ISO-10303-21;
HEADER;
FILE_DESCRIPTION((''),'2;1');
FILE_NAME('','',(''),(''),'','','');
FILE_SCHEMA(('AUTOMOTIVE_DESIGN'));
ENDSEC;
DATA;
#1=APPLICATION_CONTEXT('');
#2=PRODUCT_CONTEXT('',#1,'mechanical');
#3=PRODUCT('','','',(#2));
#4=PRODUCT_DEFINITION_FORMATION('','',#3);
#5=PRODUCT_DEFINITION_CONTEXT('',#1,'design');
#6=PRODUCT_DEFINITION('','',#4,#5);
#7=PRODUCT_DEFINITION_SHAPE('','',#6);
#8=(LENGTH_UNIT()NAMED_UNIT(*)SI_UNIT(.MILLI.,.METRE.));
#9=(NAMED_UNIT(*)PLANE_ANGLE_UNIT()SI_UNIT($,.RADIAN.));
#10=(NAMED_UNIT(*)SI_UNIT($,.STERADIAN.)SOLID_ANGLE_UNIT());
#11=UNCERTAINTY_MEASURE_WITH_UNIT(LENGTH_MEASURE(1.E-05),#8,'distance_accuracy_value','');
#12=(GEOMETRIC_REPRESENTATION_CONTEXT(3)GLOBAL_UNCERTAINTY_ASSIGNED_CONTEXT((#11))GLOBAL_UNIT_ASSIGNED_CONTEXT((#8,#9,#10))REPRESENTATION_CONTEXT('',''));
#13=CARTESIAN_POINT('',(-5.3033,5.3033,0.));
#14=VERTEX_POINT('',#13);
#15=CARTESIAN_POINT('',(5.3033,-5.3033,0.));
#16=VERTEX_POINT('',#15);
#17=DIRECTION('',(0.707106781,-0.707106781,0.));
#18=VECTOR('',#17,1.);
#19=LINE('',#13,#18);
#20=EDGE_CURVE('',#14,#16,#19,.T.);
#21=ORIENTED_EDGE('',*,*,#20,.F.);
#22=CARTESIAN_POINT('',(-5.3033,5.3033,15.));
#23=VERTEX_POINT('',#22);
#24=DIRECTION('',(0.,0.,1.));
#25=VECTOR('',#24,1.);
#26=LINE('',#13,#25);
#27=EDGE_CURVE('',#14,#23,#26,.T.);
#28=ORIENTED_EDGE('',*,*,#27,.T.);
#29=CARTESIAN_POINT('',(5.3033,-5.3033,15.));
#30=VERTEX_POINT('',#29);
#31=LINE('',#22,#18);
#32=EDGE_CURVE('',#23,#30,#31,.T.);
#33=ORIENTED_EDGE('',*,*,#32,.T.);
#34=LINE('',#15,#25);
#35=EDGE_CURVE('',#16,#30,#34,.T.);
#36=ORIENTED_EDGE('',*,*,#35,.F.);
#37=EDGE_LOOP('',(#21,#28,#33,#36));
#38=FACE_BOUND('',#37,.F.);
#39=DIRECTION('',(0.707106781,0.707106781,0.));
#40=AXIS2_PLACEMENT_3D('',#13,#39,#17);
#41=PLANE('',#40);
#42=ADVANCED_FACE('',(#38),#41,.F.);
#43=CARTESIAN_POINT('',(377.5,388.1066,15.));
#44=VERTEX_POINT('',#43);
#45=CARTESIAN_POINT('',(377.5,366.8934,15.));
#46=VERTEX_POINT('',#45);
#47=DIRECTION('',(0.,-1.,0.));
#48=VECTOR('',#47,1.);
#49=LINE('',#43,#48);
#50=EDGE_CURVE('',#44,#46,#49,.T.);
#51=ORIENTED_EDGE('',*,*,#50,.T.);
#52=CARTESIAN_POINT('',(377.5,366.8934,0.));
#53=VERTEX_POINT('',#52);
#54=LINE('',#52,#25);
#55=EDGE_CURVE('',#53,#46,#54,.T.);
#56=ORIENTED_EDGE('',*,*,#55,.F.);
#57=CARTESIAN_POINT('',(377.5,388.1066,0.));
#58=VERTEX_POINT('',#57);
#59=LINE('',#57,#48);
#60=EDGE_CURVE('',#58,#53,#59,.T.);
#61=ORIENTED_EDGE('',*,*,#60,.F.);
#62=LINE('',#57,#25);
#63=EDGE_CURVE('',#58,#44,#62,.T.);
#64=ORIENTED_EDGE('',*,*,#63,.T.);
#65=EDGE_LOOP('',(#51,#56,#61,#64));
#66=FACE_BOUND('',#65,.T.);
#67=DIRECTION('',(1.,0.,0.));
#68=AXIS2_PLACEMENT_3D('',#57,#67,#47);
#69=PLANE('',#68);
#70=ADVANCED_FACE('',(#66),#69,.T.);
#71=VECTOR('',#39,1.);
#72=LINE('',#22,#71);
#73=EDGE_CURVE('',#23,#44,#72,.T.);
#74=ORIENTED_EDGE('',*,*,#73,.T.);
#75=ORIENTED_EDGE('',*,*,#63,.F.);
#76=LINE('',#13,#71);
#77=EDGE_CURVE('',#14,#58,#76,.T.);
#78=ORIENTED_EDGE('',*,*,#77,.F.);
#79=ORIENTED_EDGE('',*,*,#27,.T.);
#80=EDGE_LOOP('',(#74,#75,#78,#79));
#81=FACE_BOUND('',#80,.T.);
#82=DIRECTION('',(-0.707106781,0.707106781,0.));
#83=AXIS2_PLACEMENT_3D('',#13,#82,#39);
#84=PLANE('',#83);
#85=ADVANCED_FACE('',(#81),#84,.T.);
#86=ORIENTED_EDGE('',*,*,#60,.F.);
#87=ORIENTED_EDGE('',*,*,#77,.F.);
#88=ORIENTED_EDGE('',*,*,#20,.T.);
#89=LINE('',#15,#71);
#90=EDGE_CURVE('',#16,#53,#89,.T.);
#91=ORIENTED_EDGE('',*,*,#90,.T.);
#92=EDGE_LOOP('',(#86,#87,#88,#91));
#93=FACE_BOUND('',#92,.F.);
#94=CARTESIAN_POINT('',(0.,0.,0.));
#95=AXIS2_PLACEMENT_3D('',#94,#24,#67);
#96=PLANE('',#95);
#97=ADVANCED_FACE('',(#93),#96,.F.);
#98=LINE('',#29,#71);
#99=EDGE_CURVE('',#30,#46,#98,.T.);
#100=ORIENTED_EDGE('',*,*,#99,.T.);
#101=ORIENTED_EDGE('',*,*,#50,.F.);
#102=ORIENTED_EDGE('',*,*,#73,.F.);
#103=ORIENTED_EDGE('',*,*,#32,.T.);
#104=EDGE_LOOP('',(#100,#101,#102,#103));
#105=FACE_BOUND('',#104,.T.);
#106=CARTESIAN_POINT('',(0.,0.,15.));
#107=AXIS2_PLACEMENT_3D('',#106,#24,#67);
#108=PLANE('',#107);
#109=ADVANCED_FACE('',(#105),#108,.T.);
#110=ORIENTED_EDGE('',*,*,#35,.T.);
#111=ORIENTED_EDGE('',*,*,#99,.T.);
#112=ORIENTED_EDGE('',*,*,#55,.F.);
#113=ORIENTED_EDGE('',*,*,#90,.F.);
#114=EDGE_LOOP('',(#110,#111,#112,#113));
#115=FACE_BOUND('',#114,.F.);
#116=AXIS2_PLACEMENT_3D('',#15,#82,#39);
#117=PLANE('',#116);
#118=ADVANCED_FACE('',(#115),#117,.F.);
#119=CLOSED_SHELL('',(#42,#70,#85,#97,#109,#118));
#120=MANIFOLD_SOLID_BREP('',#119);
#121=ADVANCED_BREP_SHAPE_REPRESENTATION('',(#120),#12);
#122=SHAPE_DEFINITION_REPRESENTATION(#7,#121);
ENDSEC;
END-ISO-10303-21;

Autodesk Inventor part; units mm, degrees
ref_plane "YZ Plane" through (0, 0, 0) normal (1, 0, 0) x (0, 1, 0)
ref_plane "XZ Plane" through (0, 0, 0) normal (0, 1, 0) x (-1, 0, 0)
ref_plane "XY Plane" through (0, 0, 0) normal (0, 0, 1) x (1, 0, 0)
sketch "Sketch2" plane through (0, 0, 0) normal (0, 0, 1) x (1, 0, 0)
  line L0 (0, 0) -> (377.5, 0) construction
  line L1 (377.5, 0) -> (377.5, 377.5) construction
  line L2 (0, 0) -> (377.5, 377.5) construction
  line L3 (-5.3033, 5.3033) -> (5.3033, -5.3033)
  line L4 (377.5, 388.1066) -> (377.5, 366.8934)
  line L5 (-5.3033, 5.3033) -> (377.5, 388.1066)
  line L6 (5.3033, -5.3033) -> (377.5, 366.8934)
  dimension "d4" = 377.5
  dimension "d5" = 377.5
  dimension "d6" = 15
  dimension "d7" = 90
  dimension "d13" = 45
extrude "Extrusion1" add sketch "Sketch2" along normal blind 15
properties part number "C004" material "Steel, Carbon"
